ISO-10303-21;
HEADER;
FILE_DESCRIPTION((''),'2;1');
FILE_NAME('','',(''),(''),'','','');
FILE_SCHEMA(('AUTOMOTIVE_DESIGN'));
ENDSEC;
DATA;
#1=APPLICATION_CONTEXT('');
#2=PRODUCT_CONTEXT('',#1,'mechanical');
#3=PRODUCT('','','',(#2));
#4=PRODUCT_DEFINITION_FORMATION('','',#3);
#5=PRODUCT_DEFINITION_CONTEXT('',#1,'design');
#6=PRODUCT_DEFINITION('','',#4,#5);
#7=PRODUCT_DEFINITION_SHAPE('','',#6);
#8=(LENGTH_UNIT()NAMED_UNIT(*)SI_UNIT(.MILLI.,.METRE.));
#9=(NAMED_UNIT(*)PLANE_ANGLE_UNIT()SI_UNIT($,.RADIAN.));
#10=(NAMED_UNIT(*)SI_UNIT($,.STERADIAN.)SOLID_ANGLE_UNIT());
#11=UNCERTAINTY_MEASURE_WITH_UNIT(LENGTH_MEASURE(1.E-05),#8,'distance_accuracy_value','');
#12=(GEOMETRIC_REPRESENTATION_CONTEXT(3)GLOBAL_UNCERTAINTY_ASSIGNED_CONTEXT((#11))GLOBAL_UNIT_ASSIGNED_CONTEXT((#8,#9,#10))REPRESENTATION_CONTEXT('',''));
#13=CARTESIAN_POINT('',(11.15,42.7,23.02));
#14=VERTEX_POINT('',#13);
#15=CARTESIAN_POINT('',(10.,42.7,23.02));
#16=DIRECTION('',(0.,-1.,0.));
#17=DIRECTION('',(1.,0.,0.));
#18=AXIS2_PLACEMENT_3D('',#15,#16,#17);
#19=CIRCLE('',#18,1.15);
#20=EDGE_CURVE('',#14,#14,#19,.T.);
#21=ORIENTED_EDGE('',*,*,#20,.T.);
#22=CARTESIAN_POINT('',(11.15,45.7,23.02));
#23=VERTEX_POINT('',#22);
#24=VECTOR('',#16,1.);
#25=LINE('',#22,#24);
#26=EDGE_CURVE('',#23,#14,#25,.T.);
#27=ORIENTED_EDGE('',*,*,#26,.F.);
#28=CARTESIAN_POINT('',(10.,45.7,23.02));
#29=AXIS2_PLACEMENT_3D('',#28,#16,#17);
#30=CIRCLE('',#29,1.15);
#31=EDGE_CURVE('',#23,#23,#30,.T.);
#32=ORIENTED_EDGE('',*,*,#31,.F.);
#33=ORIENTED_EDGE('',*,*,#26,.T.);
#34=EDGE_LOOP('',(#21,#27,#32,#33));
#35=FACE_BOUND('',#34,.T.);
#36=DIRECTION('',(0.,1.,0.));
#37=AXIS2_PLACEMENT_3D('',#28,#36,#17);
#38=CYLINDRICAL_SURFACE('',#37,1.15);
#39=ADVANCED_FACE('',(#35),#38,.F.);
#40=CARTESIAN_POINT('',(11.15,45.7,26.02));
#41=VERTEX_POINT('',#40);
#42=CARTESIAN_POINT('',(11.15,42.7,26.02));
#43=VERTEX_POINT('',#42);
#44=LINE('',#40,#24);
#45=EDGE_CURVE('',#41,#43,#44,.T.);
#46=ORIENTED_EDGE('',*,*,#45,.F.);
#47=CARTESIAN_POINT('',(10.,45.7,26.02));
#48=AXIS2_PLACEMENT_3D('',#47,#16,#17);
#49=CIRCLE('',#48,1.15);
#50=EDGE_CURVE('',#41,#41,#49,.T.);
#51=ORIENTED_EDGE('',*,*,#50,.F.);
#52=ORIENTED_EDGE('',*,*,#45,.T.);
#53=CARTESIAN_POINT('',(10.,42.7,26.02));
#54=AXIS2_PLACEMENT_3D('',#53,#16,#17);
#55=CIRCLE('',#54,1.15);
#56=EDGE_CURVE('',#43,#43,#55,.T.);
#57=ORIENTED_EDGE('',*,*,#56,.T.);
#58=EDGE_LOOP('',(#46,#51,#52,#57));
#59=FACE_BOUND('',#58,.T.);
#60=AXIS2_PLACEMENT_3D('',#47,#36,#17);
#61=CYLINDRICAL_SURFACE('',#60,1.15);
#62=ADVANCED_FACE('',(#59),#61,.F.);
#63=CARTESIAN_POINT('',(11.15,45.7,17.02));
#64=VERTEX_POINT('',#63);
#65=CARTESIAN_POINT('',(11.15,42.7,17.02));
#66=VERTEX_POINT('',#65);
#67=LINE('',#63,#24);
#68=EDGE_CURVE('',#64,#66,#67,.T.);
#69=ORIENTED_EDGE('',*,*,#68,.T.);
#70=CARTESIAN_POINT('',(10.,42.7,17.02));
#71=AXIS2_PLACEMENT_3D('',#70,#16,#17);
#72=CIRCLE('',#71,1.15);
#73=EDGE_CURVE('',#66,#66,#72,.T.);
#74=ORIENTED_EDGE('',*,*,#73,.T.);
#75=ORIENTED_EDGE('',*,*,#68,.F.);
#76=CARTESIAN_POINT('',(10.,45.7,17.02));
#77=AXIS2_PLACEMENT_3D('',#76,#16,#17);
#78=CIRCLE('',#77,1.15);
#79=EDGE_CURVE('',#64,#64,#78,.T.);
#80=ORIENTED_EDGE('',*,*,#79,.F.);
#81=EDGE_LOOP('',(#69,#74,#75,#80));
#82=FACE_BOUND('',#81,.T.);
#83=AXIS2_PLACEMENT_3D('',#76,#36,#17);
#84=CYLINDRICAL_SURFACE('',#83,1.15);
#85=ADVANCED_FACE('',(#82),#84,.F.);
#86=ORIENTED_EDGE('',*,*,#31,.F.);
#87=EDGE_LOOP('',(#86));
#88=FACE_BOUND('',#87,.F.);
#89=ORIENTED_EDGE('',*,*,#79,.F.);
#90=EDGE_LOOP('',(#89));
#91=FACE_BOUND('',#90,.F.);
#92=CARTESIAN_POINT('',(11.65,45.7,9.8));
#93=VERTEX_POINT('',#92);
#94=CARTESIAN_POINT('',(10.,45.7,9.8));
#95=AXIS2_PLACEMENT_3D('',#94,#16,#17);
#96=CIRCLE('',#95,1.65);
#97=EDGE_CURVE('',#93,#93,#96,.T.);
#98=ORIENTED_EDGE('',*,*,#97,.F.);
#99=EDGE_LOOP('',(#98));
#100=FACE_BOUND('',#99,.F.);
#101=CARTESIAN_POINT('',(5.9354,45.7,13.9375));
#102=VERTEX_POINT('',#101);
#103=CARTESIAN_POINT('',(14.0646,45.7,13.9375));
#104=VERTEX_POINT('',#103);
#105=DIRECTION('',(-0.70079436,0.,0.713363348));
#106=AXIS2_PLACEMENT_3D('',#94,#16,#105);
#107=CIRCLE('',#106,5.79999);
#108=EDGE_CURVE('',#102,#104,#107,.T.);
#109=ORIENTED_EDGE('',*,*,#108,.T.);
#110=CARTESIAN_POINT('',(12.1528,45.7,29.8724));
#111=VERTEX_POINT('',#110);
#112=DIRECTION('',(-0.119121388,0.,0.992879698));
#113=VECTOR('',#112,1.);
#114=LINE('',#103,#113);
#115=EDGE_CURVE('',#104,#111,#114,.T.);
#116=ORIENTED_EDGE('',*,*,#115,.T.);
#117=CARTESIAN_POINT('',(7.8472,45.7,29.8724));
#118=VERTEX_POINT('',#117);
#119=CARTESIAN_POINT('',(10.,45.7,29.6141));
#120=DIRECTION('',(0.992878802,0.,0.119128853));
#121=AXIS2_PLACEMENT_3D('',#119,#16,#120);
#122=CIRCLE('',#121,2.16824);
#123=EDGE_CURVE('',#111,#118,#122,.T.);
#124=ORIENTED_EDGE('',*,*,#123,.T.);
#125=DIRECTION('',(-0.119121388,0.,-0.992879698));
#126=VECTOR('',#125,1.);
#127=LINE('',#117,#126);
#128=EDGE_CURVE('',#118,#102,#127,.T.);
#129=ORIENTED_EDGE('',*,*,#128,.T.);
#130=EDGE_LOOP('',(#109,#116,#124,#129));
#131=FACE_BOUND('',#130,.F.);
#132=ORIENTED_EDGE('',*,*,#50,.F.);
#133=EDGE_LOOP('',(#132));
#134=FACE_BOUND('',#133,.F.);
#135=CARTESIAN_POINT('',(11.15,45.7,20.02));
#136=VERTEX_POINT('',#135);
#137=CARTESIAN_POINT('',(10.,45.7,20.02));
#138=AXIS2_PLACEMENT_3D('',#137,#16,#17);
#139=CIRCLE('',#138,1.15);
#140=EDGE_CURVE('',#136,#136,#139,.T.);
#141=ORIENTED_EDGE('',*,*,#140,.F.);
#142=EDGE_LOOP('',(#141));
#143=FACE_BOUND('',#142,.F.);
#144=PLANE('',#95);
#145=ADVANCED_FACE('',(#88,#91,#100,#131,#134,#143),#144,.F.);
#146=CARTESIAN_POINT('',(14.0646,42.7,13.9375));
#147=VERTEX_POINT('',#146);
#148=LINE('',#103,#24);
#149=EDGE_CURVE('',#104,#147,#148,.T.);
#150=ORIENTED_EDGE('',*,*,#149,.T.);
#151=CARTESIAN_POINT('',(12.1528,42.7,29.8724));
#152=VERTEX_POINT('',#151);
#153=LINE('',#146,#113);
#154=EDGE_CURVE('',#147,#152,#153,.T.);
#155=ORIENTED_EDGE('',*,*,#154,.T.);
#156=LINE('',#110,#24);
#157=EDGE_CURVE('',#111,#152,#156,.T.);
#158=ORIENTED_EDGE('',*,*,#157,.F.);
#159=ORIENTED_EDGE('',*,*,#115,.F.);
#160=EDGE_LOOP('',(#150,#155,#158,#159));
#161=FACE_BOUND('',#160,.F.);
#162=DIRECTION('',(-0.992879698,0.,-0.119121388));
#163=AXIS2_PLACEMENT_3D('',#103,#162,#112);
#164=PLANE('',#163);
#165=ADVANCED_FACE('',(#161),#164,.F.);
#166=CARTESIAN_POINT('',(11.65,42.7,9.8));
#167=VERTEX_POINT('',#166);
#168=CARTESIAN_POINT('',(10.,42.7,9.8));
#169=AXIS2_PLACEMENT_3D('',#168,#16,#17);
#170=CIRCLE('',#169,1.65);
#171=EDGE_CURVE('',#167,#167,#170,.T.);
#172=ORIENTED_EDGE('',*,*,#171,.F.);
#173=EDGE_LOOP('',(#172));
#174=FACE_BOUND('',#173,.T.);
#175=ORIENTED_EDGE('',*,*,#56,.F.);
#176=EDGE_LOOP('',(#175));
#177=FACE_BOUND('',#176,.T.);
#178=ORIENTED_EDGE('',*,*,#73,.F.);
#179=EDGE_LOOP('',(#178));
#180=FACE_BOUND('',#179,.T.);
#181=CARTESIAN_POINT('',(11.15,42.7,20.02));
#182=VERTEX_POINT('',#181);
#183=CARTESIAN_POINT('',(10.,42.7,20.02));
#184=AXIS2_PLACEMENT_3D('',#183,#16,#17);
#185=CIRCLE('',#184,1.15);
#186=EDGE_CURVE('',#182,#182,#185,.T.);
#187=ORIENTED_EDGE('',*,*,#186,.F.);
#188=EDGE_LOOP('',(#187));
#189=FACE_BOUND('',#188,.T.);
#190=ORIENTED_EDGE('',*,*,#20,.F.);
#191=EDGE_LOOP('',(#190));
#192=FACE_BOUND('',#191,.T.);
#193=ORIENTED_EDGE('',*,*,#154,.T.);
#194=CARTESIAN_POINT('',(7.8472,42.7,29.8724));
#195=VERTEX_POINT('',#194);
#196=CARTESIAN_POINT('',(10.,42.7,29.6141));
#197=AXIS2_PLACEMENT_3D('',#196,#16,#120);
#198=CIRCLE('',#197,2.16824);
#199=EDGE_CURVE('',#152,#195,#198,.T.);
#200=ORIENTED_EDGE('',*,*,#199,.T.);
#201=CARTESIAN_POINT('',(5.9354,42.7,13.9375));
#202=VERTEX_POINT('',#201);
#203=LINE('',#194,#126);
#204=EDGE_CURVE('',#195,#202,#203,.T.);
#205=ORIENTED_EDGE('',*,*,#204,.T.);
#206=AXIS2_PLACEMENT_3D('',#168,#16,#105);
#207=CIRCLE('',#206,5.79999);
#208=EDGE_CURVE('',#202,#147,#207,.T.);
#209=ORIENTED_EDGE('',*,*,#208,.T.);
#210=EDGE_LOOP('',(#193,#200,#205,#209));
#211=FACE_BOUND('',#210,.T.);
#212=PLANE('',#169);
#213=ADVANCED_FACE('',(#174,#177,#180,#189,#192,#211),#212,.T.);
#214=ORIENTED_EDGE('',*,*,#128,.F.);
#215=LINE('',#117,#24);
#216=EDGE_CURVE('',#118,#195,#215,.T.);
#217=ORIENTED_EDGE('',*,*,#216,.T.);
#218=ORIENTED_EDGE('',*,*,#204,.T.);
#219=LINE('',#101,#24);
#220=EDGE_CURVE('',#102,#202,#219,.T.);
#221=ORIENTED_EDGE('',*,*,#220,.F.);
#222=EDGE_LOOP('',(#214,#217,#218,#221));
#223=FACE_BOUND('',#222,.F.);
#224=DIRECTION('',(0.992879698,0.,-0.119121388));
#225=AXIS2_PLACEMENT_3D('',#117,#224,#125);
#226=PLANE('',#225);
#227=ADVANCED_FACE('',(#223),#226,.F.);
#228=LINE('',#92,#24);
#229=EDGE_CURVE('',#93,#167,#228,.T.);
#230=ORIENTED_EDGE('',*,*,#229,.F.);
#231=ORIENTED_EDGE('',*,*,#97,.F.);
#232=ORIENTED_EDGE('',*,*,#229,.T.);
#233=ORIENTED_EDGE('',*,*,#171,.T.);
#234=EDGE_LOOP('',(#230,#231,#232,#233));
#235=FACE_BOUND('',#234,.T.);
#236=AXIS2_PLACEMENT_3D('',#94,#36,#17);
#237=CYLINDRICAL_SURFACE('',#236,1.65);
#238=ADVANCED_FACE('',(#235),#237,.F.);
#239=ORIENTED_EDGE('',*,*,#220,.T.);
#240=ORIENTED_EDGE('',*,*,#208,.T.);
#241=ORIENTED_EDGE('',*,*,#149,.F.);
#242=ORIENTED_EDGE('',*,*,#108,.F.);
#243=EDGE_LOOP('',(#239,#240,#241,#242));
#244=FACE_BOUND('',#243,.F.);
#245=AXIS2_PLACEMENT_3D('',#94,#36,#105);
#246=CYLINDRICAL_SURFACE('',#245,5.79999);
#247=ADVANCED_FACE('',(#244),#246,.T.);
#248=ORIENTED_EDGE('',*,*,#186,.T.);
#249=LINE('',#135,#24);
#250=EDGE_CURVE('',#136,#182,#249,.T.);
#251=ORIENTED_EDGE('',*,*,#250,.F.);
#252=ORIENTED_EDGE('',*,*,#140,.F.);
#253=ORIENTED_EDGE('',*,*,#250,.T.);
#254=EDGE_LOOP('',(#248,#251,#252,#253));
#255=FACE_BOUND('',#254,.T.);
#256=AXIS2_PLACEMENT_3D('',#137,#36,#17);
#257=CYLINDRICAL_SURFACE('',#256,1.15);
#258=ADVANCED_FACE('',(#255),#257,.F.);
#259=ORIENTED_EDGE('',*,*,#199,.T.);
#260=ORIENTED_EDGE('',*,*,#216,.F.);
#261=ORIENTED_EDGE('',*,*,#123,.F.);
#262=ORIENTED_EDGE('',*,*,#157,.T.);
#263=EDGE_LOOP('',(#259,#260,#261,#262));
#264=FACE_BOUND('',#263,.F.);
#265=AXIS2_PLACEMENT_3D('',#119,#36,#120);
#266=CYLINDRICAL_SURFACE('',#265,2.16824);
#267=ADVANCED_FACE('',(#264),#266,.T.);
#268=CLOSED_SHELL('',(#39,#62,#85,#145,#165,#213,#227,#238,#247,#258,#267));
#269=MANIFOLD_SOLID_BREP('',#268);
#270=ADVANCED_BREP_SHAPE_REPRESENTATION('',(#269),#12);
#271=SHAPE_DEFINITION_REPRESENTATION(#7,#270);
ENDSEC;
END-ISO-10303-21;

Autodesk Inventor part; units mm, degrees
ref_plane "YZ Plane" through (0, 0, 0) normal (1, 0, 0) x (0, 1, 0)
ref_plane "XZ Plane" through (0, 0, 0) normal (0, 1, 0) x (-1, 0, 0)
ref_plane "XY Plane" through (0, 0, 0) normal (0, 0, 1) x (1, 0, 0)
ref_plane "Work Plane12" through (10, 45.7, 9.8) normal (0, -1, 0) x (1, 0, 0)
sketch "Sketch20" plane through (10, 45.7, 9.8) normal (0, -1, 0) x (1, 0, 0)
  circle A0 centre (0, 10.22) radius 1.15 projected
  circle A1 centre (0, 13.22) radius 1.15 projected
  circle A2 centre (0, 7.22) radius 1.15 projected
  circle A3 centre (0, 16.22) radius 1.15 projected
  arc A4 (2.55, 20.12) -> (-2.55, 20.12) centre (0, 19.8141) ccw projected
  line L0 (-2.55, 20.12) -> (-4.4453, 4.3219) projected
  arc A5 (-4.4453, 4.3219) -> (4.4453, 4.3219) centre (0, 0) ccw projected
  line L1 (4.4453, 4.3219) -> (2.55, 20.12) projected
  circle A6 centre (0, 0) radius 1.65 projected
  arc A7 (2.1528, 20.0724) -> (-2.1528, 20.0724) centre (0, 19.8141) ccw
  line L2 (-2.1528, 20.0724) -> (-4.0646, 4.1375)
  arc A8 (-4.0646, 4.1375) -> (4.0646, 4.1375) centre (0, 0) ccw
  line L3 (4.0646, 4.1375) -> (2.1528, 20.0724)
  point P0 (-10, -9.8)
  dimension "d95" = 0.4
extrude "Extrusion21" add sketch "Sketch20" along normal blind 3 contours L3 A8 L2 A7
properties part number "X4_leg_Servo_horn" material "Default New Material"
